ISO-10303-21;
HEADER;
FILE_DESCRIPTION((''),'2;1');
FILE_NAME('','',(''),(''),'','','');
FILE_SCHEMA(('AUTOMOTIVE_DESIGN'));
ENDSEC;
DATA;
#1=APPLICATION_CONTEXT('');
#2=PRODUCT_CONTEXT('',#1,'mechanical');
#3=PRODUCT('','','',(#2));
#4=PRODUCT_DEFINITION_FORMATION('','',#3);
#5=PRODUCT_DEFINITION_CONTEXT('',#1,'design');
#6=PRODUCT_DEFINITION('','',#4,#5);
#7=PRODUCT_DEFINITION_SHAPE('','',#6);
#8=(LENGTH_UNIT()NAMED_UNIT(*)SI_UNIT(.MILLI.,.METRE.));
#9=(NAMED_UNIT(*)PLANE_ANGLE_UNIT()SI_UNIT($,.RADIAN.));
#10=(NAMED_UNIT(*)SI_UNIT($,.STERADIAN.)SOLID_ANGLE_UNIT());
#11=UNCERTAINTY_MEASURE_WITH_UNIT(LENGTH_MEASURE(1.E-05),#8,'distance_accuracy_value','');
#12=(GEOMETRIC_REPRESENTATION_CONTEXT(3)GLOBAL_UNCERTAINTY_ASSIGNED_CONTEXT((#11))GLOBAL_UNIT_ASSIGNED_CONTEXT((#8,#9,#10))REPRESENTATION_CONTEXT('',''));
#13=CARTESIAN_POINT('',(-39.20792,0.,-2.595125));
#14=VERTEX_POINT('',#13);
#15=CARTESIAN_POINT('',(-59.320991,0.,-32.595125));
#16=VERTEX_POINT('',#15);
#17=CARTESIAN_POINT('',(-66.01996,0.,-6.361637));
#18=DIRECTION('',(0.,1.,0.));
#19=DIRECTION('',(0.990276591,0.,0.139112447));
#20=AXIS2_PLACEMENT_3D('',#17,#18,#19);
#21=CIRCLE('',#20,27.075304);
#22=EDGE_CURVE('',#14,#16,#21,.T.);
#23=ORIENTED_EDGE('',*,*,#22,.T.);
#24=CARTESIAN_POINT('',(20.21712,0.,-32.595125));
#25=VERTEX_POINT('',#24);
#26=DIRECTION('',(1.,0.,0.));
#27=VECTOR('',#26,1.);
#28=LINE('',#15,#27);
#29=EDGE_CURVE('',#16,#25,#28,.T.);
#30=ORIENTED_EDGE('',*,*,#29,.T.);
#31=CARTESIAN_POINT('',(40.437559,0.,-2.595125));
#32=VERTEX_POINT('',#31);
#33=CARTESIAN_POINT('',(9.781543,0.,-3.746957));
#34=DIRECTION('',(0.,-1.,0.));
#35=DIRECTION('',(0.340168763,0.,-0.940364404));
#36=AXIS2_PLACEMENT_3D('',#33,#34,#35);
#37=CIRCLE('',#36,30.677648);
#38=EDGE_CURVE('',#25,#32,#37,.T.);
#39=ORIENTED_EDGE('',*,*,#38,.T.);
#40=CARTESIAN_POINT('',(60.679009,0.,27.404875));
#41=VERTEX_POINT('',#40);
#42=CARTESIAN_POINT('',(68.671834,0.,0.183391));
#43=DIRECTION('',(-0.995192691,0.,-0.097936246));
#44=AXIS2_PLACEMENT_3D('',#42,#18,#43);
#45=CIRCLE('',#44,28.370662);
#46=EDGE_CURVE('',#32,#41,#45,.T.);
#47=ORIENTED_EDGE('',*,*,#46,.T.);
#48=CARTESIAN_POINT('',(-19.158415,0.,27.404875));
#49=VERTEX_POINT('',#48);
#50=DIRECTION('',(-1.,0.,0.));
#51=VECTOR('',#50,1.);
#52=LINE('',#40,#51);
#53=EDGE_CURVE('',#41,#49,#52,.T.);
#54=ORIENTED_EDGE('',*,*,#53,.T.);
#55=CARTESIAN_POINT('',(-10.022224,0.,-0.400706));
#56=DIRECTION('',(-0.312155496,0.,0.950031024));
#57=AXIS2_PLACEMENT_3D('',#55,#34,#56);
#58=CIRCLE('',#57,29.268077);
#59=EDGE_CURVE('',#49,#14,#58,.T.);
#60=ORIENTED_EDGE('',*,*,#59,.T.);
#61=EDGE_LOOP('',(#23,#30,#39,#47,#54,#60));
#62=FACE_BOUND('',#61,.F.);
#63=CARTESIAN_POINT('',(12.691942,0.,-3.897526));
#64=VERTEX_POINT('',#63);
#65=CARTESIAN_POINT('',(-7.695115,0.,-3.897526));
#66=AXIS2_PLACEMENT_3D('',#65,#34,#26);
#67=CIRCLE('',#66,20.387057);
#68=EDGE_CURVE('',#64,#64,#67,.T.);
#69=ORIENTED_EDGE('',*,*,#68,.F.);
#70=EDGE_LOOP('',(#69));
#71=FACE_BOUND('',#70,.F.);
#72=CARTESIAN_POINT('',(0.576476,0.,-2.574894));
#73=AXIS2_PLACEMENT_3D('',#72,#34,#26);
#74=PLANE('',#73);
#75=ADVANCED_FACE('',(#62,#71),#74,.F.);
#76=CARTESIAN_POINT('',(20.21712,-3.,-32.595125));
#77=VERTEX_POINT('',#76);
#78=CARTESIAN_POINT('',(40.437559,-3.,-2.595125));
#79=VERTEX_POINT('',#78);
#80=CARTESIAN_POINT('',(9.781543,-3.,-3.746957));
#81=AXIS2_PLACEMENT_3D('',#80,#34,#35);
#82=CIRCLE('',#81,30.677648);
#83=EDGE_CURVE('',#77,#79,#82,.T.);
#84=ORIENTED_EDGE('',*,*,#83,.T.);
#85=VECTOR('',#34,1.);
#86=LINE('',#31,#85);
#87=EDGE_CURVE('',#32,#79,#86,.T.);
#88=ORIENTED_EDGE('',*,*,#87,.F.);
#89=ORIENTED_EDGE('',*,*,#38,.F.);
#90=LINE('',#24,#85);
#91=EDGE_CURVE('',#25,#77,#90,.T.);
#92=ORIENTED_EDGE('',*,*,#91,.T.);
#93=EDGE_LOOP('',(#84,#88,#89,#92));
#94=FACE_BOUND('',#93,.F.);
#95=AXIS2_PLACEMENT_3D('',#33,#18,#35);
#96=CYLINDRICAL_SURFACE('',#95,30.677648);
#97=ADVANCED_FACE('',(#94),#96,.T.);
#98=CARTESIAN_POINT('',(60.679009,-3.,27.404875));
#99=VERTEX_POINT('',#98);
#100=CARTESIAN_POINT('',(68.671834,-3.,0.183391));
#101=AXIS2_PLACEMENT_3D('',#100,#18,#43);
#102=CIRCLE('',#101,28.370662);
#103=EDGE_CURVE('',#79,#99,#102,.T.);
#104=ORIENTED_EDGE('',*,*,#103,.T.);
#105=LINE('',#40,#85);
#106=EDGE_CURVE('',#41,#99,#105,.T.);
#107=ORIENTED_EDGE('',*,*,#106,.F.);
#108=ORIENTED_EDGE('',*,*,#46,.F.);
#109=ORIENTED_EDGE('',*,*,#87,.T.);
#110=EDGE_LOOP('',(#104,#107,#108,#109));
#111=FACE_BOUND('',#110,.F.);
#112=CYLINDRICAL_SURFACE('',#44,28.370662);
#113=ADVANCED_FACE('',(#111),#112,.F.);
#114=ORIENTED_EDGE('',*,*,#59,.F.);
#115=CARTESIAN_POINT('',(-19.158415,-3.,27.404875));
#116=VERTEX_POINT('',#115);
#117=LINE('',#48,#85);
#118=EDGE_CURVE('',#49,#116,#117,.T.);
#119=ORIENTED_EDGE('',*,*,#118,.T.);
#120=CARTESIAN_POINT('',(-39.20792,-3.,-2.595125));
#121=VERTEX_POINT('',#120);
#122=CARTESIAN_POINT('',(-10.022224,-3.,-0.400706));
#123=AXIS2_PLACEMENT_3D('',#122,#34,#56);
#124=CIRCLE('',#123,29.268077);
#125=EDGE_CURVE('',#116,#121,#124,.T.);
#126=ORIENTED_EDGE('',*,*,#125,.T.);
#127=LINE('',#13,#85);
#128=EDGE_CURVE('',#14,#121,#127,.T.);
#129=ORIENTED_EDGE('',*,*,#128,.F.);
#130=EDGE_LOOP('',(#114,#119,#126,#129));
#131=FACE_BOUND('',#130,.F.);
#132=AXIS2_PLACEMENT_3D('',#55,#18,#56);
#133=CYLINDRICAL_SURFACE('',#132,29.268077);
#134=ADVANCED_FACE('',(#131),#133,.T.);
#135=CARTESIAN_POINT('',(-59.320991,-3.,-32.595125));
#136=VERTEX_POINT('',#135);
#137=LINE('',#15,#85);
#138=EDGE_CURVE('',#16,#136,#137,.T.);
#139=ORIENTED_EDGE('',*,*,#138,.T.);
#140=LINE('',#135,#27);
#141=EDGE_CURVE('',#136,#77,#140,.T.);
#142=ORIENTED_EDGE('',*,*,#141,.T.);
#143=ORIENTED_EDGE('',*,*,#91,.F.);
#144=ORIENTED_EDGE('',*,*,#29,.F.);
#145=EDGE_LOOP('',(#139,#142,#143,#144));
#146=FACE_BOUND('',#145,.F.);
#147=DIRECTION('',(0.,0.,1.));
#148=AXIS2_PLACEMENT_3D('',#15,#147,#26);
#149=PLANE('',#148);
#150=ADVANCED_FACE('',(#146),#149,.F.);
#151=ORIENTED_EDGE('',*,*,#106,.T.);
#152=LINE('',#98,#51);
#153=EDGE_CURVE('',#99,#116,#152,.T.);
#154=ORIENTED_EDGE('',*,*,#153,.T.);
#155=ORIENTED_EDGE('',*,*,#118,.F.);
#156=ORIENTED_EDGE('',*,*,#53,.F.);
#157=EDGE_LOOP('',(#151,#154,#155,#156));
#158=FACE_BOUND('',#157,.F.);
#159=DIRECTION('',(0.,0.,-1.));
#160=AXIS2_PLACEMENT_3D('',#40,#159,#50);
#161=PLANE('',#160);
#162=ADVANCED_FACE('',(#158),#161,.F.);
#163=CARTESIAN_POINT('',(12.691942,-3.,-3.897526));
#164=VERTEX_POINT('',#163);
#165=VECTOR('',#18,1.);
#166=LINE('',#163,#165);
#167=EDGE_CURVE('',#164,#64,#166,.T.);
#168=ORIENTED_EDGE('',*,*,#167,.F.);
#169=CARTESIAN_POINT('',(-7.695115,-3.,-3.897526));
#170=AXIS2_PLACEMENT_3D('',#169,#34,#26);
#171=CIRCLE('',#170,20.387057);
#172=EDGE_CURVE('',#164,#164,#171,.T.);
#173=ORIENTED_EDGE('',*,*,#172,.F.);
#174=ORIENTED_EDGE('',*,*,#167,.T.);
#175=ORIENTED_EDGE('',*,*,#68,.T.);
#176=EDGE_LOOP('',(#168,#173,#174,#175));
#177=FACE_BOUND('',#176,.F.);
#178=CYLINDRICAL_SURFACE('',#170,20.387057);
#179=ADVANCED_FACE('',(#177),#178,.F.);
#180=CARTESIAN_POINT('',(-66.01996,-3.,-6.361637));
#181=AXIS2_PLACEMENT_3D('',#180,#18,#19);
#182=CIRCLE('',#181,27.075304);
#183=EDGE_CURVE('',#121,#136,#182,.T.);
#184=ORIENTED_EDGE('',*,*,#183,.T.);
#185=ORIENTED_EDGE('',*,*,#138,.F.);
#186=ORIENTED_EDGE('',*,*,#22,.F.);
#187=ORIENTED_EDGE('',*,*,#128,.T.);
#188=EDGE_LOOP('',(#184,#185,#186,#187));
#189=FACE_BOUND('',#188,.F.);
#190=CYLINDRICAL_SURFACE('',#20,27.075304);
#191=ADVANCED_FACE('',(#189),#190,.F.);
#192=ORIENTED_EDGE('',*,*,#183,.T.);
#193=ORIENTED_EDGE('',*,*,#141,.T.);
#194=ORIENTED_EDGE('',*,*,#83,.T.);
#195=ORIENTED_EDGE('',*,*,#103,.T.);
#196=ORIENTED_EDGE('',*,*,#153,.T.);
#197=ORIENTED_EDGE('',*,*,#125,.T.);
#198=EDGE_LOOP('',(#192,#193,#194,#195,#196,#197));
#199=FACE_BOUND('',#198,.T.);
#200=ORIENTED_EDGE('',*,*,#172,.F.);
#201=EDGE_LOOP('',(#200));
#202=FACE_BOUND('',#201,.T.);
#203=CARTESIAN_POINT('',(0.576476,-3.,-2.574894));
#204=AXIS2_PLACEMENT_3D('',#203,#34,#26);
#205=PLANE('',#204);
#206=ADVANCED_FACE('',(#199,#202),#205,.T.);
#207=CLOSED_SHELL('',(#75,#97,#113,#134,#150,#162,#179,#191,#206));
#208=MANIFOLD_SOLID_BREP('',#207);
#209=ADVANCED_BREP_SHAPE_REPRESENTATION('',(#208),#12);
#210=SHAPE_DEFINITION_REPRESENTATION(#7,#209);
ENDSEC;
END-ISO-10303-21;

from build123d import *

# Parameters (mm, degrees)
F1_DEPTH = 3
F2_R     = 20.387057
F3_DEPTH = 3


with BuildPart() as f1:
    # F0 (on Front) → F1 (new body)
    with BuildSketch(Plane.XZ):
        with BuildLine():
            ThreePointArc((-39.20792, -2.595125), (-43.531142, -21.438943), (-59.320991, -32.595125))
            Line((-59.320991, -32.595125), (20.21712, -32.595125))
            ThreePointArc((20.21712, -32.595125), (35.220288, -20.893044), (40.437559, -2.595125))
            ThreePointArc((40.437559, -2.595125), (45.153741, 16.051401), (60.679009, 27.404875))
            Line((60.679009, 27.404875), (-19.158415, 27.404875))
            ThreePointArc((-19.158415, 27.404875), (-34.356187, 15.862091), (-39.20792, -2.595125))
        make_face()
    extrude(amount=F1_DEPTH)

    # F2 (on face) → F3 (cut)
    with BuildSketch(Plane.XZ.offset(3)):
        with Locations((-7.695115, -3.897526)):
            Circle(F2_R)
    extrude(amount=-F3_DEPTH, mode=Mode.SUBTRACT)


solid = f1.part
